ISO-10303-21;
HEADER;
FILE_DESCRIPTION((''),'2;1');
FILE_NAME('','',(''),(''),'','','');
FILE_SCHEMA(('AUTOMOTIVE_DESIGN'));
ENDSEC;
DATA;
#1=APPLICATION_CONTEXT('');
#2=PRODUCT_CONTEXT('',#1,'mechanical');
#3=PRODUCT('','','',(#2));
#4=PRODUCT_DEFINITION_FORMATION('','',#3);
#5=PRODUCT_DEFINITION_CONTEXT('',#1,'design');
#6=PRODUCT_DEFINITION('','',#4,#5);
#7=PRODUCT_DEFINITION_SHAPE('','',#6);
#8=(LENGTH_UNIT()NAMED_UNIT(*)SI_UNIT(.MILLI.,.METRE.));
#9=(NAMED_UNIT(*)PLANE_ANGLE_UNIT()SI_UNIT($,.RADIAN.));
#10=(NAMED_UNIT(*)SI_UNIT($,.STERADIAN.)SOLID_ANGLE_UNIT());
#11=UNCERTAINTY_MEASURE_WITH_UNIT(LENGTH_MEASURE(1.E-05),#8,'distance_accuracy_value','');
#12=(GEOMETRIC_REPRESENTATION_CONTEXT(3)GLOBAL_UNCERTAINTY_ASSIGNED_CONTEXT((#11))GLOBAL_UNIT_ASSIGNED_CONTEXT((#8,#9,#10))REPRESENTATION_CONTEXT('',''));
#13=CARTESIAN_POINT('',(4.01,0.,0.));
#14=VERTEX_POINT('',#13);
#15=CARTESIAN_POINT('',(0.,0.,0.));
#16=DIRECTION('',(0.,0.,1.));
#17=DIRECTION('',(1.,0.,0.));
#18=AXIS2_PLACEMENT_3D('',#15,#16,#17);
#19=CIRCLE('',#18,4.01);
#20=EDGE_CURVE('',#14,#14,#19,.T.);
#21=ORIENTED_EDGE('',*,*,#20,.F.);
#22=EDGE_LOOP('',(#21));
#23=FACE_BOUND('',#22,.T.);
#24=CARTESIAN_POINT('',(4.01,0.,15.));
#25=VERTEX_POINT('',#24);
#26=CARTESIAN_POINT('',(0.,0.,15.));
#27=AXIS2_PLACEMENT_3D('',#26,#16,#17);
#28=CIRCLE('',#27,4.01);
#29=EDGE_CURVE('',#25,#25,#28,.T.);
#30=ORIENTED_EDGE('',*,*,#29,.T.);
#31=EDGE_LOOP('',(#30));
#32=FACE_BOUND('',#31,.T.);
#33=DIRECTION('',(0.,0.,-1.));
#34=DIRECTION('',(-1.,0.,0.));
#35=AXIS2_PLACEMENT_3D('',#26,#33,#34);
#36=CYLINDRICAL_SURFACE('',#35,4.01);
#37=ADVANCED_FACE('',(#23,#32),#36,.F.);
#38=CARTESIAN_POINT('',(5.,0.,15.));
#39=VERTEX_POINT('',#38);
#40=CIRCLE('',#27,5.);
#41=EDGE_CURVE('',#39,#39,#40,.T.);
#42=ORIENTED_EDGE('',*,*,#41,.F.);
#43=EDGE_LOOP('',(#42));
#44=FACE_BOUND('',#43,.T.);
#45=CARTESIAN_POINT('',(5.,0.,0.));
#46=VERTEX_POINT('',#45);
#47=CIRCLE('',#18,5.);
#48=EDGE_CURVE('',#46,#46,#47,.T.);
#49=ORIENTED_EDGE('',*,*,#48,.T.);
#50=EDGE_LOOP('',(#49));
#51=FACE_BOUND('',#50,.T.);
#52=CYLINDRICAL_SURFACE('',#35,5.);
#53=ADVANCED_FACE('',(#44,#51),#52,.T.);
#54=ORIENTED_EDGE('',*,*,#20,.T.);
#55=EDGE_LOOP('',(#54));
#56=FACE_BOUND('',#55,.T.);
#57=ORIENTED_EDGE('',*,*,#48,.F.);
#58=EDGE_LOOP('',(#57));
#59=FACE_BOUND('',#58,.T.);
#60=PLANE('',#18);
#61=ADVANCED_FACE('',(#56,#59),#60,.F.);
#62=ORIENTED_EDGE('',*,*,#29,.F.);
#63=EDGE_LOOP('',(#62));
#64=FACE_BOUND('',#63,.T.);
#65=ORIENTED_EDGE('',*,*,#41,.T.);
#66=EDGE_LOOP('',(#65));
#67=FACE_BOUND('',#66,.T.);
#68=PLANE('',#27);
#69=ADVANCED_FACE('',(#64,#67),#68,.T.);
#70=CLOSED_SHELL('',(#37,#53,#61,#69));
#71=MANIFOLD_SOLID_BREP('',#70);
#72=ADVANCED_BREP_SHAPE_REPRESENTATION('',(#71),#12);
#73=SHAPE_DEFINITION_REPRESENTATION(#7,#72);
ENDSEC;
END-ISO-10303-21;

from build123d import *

# Parameters (mm, degrees)
SKETCH1_R    = 5
SKETCH1_R_2  = 4.01
SLEEVE_DEPTH = 15


with BuildPart() as part:
    # Sketch1 → Sleeve (new body)
    with BuildSketch(Plane.XY):
        Circle(SKETCH1_R)
        Circle(SKETCH1_R_2, mode=Mode.SUBTRACT)
    extrude(amount=SLEEVE_DEPTH)


solid = part.part
